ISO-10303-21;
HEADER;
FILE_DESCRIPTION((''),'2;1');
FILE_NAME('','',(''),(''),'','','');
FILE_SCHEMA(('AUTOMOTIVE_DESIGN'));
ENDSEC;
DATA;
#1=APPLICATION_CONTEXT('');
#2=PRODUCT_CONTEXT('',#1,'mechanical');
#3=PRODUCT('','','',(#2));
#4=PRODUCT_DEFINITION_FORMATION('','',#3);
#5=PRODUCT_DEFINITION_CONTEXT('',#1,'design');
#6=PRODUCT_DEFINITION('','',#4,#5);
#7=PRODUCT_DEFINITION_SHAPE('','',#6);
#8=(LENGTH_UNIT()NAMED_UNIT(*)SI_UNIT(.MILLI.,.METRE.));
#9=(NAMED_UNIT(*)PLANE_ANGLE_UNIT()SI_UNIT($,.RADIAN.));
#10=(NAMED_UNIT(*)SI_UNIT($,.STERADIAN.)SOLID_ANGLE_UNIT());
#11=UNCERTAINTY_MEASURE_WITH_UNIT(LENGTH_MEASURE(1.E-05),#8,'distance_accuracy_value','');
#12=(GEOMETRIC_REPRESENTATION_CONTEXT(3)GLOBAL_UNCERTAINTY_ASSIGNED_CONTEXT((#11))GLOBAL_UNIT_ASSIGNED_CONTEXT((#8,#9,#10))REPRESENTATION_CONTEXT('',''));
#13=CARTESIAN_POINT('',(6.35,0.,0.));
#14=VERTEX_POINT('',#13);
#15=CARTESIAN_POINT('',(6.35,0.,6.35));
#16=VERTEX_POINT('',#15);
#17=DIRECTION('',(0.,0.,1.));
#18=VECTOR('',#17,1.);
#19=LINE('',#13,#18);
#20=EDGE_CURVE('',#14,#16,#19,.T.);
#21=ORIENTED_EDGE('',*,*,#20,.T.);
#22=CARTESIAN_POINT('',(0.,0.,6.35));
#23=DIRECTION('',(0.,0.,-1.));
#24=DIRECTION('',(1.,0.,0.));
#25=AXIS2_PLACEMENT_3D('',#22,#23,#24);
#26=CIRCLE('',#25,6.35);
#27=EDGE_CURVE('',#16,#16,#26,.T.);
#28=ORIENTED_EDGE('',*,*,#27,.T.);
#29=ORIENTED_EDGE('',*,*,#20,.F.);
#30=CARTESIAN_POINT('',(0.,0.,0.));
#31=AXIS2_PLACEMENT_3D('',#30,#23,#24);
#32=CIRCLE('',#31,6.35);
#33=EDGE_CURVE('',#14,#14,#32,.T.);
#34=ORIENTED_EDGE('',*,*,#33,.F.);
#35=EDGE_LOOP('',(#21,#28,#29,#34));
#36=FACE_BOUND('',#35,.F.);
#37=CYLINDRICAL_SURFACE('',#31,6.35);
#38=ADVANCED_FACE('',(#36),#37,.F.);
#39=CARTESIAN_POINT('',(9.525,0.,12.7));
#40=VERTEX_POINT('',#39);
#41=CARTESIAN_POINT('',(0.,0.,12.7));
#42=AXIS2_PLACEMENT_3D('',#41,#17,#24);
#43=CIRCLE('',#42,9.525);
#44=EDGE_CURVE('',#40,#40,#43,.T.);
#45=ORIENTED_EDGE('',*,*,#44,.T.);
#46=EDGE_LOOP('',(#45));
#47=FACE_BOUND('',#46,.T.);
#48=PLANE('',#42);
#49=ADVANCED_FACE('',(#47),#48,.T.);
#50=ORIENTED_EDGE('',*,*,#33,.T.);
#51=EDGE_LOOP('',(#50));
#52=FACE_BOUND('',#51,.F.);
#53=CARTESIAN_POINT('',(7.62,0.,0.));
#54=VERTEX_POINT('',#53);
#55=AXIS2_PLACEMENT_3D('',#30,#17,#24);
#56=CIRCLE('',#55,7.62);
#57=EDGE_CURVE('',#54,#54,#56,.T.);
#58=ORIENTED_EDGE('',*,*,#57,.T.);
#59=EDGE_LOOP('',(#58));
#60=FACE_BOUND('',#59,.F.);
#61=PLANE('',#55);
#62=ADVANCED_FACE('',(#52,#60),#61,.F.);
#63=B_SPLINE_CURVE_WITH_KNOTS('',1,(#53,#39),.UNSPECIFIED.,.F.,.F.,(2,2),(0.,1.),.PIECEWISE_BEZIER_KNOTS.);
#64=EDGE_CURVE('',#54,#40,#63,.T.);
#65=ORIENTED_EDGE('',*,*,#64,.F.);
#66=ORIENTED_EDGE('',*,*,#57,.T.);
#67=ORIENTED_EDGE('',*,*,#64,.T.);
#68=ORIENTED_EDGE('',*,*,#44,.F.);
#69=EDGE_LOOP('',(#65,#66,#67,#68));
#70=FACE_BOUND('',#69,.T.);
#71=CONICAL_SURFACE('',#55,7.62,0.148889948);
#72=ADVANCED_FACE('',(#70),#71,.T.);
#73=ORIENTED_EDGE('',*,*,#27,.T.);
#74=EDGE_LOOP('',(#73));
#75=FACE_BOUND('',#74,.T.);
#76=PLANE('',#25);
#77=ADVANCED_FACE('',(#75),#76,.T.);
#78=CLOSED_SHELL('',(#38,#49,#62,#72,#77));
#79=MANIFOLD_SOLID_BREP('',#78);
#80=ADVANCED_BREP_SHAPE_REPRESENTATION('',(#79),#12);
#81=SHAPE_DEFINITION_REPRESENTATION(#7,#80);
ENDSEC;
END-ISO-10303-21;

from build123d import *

# Parameters (mm, degrees)
F0_R     = 7.62
F2_R     = 9.525
F4_R     = 6.35
F5_DEPTH = 6.35


with BuildPart() as f3:
    # F0 (on Top) → F3 section 0
    with BuildSketch(Plane.XY):
        Circle(F0_R)
    # F2 (on offset) → F3 section 1
    with BuildSketch(Plane.XY.offset(12.7)):
        Circle(F2_R)
    loft()

    # F4 (on face) → F5 (cut)
    with BuildSketch(Plane(origin=(0, 0, 0), x_dir=(1, 0, 0), z_dir=(0, 0, -1))):
        Circle(F4_R)
    extrude(amount=-F5_DEPTH, mode=Mode.SUBTRACT)


solid = f3.part
